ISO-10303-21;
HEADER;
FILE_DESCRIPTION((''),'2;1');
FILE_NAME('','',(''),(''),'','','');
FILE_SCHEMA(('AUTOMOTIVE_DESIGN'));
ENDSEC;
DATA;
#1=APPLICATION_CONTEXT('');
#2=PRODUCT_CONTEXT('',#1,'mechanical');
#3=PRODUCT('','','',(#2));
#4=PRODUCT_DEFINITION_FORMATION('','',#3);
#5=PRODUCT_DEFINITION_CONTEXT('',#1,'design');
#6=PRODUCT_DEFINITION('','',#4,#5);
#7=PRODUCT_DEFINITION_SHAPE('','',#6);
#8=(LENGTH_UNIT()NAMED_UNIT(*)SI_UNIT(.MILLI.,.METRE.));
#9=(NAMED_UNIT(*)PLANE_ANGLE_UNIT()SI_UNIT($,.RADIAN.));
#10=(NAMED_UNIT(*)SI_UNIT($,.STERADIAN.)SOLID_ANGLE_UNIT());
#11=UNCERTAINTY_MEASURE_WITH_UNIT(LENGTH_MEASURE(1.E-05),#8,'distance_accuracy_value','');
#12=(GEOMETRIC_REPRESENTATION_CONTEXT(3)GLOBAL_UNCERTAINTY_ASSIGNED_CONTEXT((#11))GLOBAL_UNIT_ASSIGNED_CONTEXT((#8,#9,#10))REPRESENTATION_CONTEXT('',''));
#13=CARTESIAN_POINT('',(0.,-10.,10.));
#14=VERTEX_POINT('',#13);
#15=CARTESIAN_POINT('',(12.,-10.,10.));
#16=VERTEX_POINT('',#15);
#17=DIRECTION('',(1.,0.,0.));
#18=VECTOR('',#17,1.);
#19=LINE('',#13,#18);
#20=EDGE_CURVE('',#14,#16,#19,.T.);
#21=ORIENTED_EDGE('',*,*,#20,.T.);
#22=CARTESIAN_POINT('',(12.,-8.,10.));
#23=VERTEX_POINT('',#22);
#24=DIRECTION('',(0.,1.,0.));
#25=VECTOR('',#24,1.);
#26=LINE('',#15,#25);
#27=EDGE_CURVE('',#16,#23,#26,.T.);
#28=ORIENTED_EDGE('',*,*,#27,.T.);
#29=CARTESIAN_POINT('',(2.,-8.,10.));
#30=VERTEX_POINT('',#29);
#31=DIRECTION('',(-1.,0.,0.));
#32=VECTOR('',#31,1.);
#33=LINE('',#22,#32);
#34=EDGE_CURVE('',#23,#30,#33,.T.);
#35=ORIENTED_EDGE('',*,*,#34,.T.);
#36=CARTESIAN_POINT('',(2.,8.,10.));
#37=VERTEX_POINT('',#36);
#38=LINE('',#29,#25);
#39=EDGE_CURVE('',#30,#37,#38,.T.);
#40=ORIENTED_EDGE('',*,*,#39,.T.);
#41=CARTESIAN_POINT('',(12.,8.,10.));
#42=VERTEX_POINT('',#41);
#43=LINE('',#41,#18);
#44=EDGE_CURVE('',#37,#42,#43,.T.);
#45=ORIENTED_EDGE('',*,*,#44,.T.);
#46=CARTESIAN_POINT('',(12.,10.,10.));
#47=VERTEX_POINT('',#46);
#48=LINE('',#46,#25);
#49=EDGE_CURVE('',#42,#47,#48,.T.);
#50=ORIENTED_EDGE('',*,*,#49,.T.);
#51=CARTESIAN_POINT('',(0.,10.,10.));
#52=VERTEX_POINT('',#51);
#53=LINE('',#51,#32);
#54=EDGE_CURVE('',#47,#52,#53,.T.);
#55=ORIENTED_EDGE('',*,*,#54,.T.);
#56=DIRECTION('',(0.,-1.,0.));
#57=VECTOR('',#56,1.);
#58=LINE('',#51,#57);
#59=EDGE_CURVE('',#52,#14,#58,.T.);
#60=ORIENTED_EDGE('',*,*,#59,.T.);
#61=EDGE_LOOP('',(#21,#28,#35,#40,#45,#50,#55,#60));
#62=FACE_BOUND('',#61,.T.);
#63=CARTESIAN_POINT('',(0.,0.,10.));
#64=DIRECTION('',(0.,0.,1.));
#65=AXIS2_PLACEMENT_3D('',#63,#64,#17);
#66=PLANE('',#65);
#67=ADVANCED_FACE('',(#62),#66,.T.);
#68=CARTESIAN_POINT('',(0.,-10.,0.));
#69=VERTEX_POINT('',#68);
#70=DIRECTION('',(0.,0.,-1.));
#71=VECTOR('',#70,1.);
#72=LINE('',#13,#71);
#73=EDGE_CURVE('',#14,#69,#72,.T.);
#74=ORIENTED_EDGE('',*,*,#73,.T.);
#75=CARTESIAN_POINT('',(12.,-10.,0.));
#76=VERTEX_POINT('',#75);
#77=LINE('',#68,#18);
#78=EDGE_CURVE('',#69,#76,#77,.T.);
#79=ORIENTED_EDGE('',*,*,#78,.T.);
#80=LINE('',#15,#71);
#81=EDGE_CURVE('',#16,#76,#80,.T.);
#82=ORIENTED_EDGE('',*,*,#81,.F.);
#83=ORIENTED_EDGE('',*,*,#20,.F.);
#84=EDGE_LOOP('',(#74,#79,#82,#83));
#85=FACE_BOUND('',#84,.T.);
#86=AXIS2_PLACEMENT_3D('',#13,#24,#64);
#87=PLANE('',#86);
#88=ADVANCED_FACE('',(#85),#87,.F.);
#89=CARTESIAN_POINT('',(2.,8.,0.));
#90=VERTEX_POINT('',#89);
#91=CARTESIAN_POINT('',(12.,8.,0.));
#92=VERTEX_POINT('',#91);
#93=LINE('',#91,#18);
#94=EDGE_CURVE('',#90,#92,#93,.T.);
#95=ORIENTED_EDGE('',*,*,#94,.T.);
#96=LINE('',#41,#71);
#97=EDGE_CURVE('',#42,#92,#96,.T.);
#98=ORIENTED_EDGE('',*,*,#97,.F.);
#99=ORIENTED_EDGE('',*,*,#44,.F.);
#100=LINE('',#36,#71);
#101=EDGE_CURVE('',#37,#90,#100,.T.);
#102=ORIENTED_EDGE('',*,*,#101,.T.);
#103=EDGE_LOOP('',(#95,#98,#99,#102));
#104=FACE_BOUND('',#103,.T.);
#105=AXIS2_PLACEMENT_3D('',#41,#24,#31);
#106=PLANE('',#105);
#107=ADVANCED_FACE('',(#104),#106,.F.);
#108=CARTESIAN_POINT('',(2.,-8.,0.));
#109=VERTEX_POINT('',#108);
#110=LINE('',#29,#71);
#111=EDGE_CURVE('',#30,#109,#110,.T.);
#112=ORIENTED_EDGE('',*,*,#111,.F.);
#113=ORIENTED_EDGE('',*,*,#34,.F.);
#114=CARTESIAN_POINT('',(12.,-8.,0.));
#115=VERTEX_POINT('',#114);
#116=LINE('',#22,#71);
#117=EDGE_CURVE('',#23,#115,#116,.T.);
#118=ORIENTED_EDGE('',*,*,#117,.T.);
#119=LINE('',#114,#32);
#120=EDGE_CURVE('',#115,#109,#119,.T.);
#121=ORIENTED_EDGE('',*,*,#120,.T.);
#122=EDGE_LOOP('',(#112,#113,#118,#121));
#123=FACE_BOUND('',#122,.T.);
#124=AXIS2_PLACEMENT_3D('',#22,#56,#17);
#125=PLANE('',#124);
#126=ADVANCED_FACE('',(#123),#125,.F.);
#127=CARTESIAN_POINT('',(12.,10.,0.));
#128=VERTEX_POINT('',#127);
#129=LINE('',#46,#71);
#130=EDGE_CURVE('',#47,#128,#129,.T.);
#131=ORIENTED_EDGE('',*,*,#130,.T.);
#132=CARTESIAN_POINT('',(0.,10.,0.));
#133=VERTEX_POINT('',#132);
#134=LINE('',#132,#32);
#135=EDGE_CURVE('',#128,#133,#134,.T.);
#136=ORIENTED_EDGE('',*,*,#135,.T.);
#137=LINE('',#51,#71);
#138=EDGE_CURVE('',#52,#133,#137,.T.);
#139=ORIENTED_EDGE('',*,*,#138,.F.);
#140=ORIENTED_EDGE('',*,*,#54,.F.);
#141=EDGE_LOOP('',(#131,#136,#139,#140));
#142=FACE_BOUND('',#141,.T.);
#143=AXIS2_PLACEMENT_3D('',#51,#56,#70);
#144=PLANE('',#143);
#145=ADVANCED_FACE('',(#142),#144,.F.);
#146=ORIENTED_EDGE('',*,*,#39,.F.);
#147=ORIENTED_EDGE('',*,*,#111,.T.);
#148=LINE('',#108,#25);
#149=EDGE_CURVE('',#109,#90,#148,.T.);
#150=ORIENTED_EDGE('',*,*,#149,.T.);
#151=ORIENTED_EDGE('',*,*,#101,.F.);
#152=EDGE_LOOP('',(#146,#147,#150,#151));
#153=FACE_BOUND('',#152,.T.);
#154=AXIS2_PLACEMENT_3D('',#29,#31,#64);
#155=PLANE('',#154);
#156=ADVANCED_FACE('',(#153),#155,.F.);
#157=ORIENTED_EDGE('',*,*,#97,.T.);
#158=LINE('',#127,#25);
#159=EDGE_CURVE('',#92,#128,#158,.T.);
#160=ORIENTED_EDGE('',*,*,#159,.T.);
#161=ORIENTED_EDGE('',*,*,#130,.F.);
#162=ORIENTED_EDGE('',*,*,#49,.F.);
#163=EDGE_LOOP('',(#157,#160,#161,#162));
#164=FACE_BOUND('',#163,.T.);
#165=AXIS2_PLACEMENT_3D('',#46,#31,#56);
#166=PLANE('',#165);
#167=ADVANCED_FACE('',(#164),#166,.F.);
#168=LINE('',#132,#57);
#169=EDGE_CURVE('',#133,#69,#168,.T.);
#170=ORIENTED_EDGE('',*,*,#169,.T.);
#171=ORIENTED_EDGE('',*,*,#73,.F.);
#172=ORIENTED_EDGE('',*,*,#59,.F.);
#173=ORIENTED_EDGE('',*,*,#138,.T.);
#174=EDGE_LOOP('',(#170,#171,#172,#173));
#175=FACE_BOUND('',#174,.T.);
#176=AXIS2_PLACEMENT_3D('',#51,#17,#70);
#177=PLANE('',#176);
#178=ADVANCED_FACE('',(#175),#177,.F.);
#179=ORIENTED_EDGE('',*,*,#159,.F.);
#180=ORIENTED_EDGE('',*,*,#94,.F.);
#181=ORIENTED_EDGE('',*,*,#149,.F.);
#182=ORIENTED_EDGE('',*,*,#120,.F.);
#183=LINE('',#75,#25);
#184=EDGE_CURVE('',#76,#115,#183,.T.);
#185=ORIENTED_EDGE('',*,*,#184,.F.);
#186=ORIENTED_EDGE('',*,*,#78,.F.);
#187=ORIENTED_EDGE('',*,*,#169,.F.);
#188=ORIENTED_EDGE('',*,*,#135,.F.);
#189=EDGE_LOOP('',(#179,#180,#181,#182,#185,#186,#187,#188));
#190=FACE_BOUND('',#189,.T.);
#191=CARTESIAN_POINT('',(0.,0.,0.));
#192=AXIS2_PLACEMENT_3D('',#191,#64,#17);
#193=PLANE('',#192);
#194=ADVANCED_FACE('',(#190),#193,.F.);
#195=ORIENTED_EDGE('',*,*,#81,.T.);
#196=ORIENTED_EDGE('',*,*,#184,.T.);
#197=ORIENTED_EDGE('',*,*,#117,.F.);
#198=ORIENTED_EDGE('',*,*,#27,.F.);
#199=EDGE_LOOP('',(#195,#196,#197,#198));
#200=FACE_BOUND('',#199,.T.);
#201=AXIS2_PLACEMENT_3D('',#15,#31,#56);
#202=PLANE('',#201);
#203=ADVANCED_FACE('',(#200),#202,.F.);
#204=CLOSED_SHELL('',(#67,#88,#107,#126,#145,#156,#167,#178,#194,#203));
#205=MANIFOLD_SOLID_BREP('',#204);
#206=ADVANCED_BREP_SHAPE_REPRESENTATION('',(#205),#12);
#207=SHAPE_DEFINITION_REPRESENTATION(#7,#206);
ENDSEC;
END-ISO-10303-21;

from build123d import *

# Parameters (mm, degrees)
ESTRUSIONE_ESTRUSIONE1_DEPTH = 10


with BuildPart() as part:
    # Schizzo1 → Estrusione-Estrusione1 (new body)
    with BuildSketch(Plane.XY):
        Polygon((0, 10), (0, -10), (12, -10), (12, -8), (2, -8), (2, 8), (12, 8), (12, 10), align=None)
    extrude(amount=ESTRUSIONE_ESTRUSIONE1_DEPTH)


solid = part.part
